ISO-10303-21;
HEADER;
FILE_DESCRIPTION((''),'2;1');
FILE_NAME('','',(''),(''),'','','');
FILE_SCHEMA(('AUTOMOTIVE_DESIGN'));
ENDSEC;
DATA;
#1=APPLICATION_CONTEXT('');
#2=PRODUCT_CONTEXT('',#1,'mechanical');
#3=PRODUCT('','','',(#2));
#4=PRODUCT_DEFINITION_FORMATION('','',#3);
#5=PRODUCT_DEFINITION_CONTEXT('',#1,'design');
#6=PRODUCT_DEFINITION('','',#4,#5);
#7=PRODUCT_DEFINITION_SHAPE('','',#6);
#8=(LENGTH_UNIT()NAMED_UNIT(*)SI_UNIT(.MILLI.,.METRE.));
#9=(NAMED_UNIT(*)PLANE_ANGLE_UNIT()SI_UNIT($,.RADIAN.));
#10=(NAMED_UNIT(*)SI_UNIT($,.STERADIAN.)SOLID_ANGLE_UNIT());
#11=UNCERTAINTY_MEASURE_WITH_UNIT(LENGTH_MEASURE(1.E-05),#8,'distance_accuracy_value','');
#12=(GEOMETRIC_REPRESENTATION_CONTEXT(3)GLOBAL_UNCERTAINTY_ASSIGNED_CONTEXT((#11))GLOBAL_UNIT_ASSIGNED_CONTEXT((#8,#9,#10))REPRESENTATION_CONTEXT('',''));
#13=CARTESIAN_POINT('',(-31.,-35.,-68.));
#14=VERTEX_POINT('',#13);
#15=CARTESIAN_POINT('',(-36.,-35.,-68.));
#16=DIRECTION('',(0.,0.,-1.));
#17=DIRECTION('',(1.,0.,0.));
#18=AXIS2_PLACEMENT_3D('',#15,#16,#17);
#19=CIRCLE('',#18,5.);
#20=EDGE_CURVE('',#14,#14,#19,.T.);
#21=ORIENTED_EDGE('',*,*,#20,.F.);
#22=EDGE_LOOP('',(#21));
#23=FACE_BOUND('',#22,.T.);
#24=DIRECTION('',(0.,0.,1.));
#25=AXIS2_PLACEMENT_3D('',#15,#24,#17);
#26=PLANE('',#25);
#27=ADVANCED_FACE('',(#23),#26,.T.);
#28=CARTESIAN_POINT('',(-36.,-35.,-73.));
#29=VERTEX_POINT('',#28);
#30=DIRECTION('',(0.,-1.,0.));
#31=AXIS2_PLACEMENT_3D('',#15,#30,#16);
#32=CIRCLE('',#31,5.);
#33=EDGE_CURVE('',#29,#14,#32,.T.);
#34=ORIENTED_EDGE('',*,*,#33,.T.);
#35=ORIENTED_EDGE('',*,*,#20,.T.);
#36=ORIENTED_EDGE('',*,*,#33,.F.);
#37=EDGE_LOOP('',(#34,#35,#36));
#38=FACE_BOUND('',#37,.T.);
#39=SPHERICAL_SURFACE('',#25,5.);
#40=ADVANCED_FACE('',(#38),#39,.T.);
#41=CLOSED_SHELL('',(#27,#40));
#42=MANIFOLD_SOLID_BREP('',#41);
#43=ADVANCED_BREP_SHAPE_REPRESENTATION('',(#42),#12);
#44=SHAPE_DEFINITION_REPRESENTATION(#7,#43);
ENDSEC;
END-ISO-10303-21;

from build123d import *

# Parameters (mm, degrees)
BOX002_W     = 10
BOX002_H     = 10
BOX002_DEPTH = 10


with BuildPart() as cubo002:
    # Box002 → Box002 (new body)
    with BuildSketch(Plane(origin=(-5, -5, 0), x_dir=(1, 0, 0), z_dir=(0, 0, 1))):
        with Locations((5, 5)):
            Rectangle(BOX002_W, BOX002_H)
    extrude(amount=BOX002_DEPTH)


with BuildPart() as cut:
    # Sphere → Sphere (revolve)
    with BuildSketch(Plane.XZ):
        with BuildLine():
            ThreePointArc((0, -5), (5, 0), (0, 5))
            Line((0, 5), (0, -5))
        make_face()
    revolve(axis=Axis((0, 0, 0), (0, 0, 1)))

    # Cut: cut Cubo002
    add(cubo002.part, mode=Mode.SUBTRACT)


with BuildPart() as cut_1:
    # Cut placement: moved
    add(cut.part.moved(Location((-36, -35, -68))))


solid = cut_1.part
